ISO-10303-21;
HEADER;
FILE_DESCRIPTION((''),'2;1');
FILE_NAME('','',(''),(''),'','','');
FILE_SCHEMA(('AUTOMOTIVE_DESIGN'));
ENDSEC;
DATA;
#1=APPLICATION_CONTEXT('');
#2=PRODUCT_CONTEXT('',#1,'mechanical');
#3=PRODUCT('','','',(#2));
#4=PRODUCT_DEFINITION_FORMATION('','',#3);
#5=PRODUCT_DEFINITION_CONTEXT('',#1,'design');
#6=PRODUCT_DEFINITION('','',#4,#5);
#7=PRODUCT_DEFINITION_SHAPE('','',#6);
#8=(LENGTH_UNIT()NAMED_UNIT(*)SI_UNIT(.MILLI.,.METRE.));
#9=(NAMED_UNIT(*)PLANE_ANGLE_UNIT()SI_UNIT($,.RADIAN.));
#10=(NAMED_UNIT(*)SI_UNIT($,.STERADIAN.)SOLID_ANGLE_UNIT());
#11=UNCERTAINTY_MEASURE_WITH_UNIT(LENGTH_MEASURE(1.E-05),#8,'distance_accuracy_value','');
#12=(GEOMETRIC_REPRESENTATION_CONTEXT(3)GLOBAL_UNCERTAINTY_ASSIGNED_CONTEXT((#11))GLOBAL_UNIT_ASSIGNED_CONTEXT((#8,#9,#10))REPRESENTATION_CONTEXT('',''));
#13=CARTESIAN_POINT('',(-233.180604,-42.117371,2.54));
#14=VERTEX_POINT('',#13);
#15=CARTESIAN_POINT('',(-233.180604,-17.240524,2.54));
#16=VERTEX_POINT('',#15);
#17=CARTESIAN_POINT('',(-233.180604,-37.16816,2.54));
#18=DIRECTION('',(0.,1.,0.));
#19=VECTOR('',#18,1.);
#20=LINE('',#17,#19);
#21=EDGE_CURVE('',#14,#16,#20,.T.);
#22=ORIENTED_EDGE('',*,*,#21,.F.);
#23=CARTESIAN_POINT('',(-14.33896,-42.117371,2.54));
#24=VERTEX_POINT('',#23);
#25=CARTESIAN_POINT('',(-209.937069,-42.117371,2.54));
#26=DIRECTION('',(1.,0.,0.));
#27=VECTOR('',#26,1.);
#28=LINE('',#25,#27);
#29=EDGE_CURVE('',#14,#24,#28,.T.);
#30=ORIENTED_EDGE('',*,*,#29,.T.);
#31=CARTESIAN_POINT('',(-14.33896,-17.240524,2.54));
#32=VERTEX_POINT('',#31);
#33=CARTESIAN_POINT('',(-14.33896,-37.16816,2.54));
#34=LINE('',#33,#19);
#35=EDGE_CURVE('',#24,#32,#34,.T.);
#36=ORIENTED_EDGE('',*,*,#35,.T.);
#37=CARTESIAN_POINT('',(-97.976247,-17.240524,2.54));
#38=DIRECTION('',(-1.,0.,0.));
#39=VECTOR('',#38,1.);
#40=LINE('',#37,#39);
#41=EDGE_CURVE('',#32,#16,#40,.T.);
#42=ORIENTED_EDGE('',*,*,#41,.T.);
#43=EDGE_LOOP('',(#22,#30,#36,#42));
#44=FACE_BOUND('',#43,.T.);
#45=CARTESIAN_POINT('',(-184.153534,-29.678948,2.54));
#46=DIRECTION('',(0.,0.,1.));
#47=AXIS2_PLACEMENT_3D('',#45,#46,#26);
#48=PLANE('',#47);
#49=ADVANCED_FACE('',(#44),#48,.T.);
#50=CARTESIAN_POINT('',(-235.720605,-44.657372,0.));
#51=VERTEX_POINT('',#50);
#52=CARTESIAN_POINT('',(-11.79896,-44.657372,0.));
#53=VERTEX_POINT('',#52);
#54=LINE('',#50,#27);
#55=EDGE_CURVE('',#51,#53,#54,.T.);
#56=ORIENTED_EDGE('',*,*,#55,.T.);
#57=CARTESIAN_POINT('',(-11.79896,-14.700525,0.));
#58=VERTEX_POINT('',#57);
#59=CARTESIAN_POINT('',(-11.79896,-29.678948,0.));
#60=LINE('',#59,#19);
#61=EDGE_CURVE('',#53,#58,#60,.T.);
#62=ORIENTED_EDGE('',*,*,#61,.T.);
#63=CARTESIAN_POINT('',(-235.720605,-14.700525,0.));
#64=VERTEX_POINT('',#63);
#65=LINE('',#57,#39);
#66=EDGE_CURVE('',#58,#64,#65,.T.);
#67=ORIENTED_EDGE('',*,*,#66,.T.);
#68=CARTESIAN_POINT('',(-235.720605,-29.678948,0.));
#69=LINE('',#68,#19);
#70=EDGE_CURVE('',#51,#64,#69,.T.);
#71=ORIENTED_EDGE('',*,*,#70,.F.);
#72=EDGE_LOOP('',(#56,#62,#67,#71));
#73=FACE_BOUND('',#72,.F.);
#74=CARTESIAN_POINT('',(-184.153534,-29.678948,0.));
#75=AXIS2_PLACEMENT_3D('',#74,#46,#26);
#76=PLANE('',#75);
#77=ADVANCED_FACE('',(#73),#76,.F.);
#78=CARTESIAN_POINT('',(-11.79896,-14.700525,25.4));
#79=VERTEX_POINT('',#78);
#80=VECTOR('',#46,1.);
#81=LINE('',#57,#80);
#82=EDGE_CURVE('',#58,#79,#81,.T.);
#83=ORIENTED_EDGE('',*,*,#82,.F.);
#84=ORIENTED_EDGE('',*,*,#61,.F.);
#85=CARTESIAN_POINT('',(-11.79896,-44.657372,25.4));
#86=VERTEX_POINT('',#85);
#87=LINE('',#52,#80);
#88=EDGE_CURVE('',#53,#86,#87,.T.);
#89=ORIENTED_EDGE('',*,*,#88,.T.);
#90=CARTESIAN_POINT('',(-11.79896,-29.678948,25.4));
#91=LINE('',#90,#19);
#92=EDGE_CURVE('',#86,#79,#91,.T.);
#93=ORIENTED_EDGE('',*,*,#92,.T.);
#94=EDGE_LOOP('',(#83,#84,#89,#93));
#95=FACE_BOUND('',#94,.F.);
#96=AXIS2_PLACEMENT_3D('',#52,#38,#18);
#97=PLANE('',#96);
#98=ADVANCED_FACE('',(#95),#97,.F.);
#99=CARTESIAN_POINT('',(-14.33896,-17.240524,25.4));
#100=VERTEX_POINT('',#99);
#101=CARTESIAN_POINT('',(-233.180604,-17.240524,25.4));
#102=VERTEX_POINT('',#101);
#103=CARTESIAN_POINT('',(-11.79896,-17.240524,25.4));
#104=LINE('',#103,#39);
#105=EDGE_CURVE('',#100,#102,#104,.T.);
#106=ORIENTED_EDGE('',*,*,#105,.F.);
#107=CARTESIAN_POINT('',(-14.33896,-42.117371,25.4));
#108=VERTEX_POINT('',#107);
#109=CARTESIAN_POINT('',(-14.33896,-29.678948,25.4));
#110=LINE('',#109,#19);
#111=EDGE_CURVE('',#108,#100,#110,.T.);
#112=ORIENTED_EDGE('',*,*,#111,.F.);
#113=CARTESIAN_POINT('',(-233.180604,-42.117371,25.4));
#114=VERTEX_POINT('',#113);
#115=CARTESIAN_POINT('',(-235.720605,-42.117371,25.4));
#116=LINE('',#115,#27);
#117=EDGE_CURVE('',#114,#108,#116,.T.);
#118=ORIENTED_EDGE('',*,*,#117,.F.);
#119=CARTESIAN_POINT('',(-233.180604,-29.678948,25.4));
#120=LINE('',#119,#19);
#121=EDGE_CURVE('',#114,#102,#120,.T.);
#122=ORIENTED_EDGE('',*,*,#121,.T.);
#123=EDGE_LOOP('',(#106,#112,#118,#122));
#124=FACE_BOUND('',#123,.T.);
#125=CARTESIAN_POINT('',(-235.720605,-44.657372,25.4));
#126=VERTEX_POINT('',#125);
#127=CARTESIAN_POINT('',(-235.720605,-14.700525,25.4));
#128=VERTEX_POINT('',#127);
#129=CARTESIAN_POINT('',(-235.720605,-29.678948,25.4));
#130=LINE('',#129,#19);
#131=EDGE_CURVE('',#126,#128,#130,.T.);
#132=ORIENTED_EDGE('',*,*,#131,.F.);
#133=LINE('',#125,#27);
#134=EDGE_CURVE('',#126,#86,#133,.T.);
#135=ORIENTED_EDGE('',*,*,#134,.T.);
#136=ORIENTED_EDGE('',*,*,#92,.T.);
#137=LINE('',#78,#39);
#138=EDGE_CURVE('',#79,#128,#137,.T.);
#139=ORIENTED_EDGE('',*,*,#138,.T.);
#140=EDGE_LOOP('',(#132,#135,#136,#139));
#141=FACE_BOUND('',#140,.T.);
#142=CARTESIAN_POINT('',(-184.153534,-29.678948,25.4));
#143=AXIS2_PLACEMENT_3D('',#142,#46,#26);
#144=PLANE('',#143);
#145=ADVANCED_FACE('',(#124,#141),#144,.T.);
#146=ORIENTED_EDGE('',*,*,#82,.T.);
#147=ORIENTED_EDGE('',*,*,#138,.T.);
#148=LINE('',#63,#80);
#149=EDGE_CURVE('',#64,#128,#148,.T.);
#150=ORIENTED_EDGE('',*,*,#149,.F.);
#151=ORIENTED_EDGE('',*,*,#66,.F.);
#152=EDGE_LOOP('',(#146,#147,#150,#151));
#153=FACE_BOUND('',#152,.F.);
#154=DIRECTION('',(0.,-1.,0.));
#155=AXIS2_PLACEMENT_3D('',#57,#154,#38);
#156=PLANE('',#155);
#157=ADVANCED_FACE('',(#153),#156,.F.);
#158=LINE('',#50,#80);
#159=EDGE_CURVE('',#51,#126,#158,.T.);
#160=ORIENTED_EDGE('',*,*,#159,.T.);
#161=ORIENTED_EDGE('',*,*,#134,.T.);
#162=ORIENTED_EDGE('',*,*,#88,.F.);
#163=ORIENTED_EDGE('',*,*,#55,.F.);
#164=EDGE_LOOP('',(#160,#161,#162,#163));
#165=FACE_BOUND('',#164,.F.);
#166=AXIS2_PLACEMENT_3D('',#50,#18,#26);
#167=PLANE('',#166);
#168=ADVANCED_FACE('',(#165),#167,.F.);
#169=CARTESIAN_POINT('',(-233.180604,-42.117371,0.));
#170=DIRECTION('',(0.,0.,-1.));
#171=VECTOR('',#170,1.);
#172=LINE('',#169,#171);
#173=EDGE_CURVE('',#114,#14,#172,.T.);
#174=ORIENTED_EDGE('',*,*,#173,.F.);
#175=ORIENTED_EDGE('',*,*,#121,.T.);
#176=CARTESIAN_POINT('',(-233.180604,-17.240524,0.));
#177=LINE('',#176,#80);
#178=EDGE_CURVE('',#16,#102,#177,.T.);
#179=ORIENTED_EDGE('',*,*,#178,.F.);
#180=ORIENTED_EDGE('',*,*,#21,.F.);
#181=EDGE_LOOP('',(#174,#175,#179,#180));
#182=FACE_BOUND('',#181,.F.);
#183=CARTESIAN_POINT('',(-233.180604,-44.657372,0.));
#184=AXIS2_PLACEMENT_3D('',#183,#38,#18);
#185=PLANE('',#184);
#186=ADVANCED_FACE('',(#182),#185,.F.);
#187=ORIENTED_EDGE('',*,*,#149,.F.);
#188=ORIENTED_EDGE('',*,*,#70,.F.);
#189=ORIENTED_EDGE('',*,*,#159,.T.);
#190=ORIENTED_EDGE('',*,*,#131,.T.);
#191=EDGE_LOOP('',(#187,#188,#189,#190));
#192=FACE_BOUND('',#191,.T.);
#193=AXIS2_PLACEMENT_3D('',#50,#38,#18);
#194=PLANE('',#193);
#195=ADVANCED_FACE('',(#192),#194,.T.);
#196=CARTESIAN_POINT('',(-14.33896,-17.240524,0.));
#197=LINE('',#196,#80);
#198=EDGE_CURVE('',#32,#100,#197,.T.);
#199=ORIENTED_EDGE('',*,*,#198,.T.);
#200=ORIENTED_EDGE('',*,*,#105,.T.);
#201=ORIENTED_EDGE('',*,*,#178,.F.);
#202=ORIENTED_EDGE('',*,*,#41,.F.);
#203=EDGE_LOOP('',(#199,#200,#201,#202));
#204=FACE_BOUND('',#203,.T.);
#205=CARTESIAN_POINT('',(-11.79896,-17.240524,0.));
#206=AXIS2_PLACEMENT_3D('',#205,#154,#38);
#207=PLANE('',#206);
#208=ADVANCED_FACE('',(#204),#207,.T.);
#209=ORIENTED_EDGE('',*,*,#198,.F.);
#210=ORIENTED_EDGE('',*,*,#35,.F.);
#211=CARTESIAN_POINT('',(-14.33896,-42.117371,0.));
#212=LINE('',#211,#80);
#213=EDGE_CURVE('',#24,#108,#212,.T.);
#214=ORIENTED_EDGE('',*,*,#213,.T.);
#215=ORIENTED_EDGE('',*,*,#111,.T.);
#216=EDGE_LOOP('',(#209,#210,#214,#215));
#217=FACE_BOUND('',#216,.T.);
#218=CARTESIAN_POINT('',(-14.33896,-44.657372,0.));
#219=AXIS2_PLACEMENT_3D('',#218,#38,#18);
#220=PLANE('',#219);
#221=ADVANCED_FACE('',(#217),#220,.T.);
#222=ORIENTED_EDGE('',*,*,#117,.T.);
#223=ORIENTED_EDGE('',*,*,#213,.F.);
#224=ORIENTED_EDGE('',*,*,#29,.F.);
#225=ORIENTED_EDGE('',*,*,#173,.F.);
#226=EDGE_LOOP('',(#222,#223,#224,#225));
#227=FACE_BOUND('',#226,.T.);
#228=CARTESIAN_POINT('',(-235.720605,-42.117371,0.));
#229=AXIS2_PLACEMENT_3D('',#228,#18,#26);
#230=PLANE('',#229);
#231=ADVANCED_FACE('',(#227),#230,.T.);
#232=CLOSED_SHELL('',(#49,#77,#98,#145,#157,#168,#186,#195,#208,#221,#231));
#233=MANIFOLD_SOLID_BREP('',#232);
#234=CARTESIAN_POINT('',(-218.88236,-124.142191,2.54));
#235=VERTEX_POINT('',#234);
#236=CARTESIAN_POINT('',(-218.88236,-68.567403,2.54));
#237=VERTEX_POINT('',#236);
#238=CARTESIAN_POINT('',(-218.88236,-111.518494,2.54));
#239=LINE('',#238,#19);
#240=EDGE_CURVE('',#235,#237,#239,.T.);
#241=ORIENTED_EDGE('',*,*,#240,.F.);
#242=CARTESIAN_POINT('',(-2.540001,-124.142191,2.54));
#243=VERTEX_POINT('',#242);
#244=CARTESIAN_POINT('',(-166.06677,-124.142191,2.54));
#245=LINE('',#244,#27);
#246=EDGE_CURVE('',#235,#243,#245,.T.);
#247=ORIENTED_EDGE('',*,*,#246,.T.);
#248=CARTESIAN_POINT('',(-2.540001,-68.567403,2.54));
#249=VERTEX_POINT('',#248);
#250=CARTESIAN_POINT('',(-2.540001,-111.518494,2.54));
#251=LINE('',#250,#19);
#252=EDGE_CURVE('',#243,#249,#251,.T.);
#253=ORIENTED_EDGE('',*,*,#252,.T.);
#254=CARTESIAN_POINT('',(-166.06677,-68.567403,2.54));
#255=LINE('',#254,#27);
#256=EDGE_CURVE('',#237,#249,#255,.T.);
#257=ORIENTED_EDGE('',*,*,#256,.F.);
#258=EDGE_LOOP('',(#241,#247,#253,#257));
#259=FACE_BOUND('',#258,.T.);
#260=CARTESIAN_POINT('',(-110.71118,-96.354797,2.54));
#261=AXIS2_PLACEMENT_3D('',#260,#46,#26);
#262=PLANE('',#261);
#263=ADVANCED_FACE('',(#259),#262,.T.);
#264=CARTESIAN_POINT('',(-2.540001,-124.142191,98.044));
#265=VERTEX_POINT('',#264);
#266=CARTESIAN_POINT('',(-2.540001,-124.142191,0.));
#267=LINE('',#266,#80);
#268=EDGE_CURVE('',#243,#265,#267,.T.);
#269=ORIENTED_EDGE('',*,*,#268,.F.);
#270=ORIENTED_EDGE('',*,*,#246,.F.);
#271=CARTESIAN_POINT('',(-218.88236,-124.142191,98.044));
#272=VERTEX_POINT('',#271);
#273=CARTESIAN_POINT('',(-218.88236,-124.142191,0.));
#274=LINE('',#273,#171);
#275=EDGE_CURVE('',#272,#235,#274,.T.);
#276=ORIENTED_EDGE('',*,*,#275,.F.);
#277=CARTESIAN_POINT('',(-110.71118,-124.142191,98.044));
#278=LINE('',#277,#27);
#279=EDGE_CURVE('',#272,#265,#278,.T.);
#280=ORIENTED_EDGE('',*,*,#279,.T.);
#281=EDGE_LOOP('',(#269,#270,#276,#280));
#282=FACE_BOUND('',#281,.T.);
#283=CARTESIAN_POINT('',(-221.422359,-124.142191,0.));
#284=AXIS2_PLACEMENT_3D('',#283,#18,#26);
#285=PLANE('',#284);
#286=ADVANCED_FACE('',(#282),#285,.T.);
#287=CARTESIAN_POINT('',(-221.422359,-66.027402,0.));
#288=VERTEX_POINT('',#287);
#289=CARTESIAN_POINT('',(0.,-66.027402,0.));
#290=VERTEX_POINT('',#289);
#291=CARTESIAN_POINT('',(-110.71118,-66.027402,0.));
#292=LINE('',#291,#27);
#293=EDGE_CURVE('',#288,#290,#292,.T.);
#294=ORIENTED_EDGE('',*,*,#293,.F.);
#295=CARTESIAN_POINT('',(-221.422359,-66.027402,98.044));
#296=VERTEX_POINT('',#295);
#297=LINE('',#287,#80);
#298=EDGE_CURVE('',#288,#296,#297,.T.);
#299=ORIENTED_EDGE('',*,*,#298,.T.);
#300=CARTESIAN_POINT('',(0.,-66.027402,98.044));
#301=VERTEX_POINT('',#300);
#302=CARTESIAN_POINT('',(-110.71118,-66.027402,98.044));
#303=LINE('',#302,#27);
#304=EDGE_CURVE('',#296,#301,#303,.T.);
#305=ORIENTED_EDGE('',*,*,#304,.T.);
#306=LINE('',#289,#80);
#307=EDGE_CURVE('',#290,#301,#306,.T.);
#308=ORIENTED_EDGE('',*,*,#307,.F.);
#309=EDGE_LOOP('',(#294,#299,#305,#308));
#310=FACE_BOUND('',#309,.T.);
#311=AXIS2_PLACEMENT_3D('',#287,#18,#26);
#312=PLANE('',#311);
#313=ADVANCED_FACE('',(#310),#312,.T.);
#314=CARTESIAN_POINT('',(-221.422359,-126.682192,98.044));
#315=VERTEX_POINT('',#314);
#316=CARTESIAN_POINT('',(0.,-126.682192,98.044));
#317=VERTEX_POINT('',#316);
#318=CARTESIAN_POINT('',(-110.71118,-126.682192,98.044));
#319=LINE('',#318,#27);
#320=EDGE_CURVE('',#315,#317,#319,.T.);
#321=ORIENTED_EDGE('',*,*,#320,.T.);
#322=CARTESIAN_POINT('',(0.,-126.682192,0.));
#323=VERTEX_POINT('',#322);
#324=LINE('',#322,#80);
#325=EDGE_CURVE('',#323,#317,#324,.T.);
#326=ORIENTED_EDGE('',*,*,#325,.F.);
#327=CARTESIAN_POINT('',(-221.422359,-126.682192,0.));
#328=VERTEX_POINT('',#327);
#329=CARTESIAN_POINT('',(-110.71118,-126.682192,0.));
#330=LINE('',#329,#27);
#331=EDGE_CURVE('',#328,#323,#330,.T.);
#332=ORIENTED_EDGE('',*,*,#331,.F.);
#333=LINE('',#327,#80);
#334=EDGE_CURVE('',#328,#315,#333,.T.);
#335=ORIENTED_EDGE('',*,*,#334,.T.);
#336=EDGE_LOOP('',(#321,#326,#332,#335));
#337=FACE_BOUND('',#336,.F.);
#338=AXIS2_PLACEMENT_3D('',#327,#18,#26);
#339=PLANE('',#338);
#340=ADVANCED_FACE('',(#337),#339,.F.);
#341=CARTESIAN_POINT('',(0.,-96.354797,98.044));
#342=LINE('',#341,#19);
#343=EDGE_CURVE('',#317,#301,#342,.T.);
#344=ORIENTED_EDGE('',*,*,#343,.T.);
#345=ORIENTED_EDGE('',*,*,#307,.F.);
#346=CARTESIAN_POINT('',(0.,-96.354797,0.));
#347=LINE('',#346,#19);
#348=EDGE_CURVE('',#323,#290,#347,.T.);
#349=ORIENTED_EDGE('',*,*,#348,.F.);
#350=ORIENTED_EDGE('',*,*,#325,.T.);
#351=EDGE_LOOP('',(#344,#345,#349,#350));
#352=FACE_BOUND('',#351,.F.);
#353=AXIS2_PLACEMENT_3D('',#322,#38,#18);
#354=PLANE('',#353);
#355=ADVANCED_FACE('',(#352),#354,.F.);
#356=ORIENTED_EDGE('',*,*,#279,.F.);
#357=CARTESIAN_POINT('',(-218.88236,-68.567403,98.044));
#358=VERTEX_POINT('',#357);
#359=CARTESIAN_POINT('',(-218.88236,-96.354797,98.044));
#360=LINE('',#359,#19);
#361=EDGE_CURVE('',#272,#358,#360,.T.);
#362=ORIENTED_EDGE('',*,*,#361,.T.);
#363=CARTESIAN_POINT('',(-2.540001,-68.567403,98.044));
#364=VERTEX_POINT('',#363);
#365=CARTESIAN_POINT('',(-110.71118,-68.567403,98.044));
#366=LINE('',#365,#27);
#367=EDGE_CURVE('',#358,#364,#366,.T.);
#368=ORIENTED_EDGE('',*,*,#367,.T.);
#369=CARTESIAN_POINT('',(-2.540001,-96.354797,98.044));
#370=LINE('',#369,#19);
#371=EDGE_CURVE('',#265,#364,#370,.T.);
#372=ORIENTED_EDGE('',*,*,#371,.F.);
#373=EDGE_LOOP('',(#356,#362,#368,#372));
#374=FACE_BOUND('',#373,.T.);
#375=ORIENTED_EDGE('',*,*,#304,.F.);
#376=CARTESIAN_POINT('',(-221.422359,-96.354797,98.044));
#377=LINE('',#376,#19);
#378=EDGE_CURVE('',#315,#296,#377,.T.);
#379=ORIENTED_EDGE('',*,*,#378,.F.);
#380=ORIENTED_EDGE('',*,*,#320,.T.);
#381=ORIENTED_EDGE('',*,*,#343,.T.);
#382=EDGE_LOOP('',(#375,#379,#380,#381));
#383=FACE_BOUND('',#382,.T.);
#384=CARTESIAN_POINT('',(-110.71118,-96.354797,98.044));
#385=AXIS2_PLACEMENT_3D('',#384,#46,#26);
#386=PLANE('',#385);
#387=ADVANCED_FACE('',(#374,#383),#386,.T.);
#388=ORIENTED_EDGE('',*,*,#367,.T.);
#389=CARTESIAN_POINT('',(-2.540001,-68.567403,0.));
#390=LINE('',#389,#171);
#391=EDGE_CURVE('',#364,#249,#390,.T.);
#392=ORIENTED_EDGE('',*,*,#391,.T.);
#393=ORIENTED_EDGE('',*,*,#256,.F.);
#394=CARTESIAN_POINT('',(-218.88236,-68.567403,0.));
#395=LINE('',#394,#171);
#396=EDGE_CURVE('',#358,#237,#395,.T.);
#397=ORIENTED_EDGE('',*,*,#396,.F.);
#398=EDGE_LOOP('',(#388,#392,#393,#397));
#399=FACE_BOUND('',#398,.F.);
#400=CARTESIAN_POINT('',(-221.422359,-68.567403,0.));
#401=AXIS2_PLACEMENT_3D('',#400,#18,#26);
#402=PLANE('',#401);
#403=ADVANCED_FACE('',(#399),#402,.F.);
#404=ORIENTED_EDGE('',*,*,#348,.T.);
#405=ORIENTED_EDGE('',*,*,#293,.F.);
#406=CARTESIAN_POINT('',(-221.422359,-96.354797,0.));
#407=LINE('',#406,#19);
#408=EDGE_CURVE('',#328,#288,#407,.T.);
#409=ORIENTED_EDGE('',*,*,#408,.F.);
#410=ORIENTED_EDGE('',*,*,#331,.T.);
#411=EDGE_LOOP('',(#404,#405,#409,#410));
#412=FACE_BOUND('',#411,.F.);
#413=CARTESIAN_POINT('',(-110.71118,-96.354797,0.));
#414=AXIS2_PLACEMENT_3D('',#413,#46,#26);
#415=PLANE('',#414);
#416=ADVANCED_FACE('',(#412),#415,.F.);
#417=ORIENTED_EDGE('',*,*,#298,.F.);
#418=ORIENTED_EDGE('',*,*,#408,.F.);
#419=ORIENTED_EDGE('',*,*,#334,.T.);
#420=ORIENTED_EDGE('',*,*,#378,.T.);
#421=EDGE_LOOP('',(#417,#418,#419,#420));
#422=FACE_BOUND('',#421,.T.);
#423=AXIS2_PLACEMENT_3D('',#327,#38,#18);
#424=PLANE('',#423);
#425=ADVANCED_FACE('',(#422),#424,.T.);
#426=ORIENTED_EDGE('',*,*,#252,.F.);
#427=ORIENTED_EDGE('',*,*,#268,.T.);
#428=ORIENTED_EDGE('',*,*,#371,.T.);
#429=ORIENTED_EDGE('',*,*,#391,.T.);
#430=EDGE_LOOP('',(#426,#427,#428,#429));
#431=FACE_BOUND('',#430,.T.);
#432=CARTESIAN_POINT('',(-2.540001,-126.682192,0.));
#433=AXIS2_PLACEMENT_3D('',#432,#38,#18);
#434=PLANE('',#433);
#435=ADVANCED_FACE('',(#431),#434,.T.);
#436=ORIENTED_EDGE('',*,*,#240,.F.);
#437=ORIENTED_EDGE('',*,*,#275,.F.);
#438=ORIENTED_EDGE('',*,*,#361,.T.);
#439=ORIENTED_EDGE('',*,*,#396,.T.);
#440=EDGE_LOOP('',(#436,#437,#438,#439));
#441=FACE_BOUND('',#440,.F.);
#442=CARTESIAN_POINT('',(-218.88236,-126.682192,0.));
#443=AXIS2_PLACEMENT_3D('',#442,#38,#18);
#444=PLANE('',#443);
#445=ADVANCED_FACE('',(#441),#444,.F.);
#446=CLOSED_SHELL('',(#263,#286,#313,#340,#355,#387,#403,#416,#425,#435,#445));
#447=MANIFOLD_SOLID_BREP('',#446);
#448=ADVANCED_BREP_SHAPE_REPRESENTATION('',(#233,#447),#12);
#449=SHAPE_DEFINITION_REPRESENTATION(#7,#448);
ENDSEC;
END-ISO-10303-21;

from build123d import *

# Parameters (mm, degrees)
F0_W     = 221.422359
F0_H     = 60.654789
F1_DEPTH = 98.044
F2_T     = -2.54
F3_R     = 94.6023
F4_DEPTH = 230.632
F5_W     = 103.134141
F5_H     = 29.956847
F5_W_2   = 120.787504
F6_DEPTH = 25.4
F7_T     = -2.54


with BuildPart() as f1:
    # F0 (on Top) → F1 (new body)
    with BuildSketch(Plane.XY):
        with Locations((-110.71118, -96.354797)):
            Rectangle(F0_W, F0_H)
    extrude(amount=F1_DEPTH)

    # F2
    f2_openings = [f1.faces().sort_by_distance(p)[0] for p in [
        (-110.71118, -96.354797, 98.044),
    ]]
    offset(amount=F2_T, openings=f2_openings)

    # F3 (on Top) → F4 (cut)
    with BuildSketch(Plane.XY):
        with Locations((115.478948, 56.669008)):
            Circle(F3_R)
    extrude(amount=F4_DEPTH, mode=Mode.SUBTRACT)


with BuildPart() as f6:
    # F5 (on Top) → F6 (new body)
    with BuildSketch(Plane.XY):
        with Locations((-184.153534, -29.678948)):
            Rectangle(F5_W, F5_H)
        with Locations((-72.192712, -29.678948)):
            Rectangle(F5_W_2, F5_H)
    extrude(amount=F6_DEPTH)

    # F7
    f7_openings = [f6.faces().sort_by_distance(p)[0] for p in [
        (-123.759782, -29.678949, 25.4),
    ]]
    offset(amount=F7_T, openings=f7_openings)


solid = Compound([f1.part, f6.part])
